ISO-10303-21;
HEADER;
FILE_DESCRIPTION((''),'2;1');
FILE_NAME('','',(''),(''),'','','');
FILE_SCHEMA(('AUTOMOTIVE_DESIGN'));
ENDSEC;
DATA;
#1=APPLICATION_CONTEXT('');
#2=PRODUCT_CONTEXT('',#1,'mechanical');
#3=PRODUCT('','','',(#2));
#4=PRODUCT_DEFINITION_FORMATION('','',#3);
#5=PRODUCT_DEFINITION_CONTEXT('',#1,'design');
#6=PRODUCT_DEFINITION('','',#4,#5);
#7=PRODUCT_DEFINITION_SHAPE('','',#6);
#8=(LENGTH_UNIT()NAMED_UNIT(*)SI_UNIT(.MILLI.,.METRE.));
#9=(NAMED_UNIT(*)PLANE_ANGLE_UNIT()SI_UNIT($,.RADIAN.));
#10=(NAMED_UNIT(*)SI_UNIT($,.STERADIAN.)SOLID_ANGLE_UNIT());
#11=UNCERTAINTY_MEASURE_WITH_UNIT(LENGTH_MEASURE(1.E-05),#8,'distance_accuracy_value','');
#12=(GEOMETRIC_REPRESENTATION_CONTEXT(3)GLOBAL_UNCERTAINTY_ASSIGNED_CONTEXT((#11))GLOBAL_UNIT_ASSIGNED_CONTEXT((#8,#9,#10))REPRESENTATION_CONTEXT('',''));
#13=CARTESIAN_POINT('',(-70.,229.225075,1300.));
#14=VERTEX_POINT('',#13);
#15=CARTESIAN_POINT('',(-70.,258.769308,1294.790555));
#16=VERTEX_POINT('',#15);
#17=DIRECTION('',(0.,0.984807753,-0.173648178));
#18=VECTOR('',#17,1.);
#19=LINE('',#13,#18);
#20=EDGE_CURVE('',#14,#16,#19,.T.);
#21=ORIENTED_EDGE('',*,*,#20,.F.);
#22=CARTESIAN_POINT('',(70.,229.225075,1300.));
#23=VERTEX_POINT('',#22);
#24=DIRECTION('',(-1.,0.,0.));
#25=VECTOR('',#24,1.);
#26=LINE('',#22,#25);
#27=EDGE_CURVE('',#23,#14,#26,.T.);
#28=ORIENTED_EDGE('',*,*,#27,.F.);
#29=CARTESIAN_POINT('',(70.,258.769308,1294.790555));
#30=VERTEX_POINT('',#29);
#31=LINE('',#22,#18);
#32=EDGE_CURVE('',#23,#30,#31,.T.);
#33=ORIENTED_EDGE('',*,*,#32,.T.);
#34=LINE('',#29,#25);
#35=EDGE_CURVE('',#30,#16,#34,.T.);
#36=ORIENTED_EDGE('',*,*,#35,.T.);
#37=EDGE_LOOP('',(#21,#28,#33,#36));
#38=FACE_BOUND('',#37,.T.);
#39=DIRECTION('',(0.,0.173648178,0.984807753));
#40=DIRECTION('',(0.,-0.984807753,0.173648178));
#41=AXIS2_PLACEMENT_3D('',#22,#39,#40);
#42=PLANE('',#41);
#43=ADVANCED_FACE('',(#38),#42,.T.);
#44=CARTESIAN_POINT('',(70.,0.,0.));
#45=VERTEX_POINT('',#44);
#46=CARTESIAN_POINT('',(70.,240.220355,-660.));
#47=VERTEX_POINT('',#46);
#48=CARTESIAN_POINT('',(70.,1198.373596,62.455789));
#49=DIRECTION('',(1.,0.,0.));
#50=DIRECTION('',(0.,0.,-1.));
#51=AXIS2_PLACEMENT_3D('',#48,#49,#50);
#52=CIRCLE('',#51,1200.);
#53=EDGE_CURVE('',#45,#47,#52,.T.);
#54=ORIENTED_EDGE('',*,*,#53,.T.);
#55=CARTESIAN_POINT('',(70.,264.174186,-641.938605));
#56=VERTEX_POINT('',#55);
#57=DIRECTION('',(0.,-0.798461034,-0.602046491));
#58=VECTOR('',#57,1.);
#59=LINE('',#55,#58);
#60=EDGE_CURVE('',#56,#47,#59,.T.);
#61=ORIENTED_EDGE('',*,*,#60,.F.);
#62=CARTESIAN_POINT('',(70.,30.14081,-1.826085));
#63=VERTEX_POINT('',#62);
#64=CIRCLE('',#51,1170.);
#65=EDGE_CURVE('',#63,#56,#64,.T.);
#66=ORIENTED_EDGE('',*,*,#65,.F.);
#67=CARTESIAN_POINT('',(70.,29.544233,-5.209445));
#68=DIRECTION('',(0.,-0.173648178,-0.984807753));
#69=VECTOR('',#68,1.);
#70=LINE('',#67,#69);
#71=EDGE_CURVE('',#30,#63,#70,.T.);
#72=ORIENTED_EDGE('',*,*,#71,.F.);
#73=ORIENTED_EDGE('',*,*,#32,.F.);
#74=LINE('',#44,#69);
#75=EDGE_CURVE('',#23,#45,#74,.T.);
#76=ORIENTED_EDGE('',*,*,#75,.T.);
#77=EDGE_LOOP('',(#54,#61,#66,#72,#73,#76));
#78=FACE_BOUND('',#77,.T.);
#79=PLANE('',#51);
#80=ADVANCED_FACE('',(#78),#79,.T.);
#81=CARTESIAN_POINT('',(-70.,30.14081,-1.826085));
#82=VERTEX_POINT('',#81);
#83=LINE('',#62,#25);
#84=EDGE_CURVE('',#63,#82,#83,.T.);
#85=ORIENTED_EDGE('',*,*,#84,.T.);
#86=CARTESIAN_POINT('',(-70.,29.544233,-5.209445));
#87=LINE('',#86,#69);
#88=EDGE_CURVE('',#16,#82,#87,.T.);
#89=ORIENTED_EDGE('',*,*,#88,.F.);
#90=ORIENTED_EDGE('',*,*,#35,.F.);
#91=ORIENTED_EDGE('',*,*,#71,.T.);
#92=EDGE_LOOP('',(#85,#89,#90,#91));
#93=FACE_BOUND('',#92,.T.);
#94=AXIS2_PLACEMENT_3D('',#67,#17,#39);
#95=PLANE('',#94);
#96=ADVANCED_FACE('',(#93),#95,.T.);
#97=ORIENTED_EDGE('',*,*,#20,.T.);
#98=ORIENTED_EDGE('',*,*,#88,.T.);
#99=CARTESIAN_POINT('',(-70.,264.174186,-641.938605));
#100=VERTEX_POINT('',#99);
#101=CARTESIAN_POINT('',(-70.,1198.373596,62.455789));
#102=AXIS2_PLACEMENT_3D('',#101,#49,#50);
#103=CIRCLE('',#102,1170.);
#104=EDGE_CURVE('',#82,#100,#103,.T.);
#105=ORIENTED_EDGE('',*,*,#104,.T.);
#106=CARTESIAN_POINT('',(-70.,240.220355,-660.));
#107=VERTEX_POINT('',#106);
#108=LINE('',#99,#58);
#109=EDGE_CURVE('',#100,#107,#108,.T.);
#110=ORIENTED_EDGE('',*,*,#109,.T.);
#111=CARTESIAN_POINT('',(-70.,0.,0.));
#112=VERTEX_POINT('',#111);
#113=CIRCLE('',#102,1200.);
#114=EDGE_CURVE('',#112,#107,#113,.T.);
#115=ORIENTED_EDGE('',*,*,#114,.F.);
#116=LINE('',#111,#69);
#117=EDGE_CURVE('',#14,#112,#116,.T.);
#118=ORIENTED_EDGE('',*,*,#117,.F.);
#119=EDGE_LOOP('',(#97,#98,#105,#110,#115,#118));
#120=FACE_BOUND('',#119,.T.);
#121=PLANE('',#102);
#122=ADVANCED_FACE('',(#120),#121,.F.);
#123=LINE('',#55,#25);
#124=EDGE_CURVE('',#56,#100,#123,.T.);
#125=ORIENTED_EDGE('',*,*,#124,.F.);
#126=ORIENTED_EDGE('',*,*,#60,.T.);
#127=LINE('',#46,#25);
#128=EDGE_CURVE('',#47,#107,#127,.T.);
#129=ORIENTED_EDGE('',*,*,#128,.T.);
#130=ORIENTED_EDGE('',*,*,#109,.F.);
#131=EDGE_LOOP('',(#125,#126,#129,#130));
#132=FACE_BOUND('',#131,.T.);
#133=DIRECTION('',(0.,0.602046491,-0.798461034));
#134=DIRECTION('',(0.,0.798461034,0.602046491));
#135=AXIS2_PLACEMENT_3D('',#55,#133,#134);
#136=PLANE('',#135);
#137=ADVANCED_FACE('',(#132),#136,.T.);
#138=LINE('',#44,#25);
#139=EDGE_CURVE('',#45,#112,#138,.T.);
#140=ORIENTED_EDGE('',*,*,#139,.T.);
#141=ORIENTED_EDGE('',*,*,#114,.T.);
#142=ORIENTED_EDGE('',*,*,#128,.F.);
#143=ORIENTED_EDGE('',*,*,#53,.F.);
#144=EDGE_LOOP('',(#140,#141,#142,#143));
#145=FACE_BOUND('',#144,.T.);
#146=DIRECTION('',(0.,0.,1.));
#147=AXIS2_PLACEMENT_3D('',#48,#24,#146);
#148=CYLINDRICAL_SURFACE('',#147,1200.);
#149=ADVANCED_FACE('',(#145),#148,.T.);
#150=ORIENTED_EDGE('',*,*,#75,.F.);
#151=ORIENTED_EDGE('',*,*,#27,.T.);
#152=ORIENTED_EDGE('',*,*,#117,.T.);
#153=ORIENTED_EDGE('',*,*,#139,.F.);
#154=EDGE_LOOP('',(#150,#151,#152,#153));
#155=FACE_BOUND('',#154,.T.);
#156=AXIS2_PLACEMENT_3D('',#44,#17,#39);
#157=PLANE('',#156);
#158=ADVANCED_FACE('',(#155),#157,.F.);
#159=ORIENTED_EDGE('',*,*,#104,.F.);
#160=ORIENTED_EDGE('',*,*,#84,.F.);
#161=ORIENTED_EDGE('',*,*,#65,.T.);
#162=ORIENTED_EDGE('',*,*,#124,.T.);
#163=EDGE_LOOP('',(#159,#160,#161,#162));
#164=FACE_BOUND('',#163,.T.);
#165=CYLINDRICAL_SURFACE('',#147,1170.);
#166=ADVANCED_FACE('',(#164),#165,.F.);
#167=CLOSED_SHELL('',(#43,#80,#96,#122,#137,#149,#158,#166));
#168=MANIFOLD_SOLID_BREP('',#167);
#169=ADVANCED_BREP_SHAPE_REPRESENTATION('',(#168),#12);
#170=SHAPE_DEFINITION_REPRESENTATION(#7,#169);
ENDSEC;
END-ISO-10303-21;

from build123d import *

# Parameters (mm, degrees)
EXTRUDE_THIN1_DEPTH = 70


with BuildPart() as part:
    # Sketch1 → Extrude-Thin1 (new, symmetric)
    with BuildSketch(Plane(origin=(0, 0, 0), x_dir=(0, 0, -1), z_dir=(1, 0, 0))):
        with BuildLine():
            ThreePointArc((660, 240.220354616), (347.968383065, 70.742450573), (0, 0))
            Line((0, 0), (-1300, 229.225074921))
            Line((-1300, 229.225074921), (-1294.79055467, 258.769307511))
            Line((-1294.79055467, 258.769307511), (1.826085437, 30.140810225))
            ThreePointArc((1.826085437, 30.140810225), (339.301235488, 99.514508401), (641.938605277, 264.174185638))
            Line((641.938605277, 264.174185638), (660, 240.220354616))
        make_face()
    extrude(amount=EXTRUDE_THIN1_DEPTH, both=True)


solid = part.part
